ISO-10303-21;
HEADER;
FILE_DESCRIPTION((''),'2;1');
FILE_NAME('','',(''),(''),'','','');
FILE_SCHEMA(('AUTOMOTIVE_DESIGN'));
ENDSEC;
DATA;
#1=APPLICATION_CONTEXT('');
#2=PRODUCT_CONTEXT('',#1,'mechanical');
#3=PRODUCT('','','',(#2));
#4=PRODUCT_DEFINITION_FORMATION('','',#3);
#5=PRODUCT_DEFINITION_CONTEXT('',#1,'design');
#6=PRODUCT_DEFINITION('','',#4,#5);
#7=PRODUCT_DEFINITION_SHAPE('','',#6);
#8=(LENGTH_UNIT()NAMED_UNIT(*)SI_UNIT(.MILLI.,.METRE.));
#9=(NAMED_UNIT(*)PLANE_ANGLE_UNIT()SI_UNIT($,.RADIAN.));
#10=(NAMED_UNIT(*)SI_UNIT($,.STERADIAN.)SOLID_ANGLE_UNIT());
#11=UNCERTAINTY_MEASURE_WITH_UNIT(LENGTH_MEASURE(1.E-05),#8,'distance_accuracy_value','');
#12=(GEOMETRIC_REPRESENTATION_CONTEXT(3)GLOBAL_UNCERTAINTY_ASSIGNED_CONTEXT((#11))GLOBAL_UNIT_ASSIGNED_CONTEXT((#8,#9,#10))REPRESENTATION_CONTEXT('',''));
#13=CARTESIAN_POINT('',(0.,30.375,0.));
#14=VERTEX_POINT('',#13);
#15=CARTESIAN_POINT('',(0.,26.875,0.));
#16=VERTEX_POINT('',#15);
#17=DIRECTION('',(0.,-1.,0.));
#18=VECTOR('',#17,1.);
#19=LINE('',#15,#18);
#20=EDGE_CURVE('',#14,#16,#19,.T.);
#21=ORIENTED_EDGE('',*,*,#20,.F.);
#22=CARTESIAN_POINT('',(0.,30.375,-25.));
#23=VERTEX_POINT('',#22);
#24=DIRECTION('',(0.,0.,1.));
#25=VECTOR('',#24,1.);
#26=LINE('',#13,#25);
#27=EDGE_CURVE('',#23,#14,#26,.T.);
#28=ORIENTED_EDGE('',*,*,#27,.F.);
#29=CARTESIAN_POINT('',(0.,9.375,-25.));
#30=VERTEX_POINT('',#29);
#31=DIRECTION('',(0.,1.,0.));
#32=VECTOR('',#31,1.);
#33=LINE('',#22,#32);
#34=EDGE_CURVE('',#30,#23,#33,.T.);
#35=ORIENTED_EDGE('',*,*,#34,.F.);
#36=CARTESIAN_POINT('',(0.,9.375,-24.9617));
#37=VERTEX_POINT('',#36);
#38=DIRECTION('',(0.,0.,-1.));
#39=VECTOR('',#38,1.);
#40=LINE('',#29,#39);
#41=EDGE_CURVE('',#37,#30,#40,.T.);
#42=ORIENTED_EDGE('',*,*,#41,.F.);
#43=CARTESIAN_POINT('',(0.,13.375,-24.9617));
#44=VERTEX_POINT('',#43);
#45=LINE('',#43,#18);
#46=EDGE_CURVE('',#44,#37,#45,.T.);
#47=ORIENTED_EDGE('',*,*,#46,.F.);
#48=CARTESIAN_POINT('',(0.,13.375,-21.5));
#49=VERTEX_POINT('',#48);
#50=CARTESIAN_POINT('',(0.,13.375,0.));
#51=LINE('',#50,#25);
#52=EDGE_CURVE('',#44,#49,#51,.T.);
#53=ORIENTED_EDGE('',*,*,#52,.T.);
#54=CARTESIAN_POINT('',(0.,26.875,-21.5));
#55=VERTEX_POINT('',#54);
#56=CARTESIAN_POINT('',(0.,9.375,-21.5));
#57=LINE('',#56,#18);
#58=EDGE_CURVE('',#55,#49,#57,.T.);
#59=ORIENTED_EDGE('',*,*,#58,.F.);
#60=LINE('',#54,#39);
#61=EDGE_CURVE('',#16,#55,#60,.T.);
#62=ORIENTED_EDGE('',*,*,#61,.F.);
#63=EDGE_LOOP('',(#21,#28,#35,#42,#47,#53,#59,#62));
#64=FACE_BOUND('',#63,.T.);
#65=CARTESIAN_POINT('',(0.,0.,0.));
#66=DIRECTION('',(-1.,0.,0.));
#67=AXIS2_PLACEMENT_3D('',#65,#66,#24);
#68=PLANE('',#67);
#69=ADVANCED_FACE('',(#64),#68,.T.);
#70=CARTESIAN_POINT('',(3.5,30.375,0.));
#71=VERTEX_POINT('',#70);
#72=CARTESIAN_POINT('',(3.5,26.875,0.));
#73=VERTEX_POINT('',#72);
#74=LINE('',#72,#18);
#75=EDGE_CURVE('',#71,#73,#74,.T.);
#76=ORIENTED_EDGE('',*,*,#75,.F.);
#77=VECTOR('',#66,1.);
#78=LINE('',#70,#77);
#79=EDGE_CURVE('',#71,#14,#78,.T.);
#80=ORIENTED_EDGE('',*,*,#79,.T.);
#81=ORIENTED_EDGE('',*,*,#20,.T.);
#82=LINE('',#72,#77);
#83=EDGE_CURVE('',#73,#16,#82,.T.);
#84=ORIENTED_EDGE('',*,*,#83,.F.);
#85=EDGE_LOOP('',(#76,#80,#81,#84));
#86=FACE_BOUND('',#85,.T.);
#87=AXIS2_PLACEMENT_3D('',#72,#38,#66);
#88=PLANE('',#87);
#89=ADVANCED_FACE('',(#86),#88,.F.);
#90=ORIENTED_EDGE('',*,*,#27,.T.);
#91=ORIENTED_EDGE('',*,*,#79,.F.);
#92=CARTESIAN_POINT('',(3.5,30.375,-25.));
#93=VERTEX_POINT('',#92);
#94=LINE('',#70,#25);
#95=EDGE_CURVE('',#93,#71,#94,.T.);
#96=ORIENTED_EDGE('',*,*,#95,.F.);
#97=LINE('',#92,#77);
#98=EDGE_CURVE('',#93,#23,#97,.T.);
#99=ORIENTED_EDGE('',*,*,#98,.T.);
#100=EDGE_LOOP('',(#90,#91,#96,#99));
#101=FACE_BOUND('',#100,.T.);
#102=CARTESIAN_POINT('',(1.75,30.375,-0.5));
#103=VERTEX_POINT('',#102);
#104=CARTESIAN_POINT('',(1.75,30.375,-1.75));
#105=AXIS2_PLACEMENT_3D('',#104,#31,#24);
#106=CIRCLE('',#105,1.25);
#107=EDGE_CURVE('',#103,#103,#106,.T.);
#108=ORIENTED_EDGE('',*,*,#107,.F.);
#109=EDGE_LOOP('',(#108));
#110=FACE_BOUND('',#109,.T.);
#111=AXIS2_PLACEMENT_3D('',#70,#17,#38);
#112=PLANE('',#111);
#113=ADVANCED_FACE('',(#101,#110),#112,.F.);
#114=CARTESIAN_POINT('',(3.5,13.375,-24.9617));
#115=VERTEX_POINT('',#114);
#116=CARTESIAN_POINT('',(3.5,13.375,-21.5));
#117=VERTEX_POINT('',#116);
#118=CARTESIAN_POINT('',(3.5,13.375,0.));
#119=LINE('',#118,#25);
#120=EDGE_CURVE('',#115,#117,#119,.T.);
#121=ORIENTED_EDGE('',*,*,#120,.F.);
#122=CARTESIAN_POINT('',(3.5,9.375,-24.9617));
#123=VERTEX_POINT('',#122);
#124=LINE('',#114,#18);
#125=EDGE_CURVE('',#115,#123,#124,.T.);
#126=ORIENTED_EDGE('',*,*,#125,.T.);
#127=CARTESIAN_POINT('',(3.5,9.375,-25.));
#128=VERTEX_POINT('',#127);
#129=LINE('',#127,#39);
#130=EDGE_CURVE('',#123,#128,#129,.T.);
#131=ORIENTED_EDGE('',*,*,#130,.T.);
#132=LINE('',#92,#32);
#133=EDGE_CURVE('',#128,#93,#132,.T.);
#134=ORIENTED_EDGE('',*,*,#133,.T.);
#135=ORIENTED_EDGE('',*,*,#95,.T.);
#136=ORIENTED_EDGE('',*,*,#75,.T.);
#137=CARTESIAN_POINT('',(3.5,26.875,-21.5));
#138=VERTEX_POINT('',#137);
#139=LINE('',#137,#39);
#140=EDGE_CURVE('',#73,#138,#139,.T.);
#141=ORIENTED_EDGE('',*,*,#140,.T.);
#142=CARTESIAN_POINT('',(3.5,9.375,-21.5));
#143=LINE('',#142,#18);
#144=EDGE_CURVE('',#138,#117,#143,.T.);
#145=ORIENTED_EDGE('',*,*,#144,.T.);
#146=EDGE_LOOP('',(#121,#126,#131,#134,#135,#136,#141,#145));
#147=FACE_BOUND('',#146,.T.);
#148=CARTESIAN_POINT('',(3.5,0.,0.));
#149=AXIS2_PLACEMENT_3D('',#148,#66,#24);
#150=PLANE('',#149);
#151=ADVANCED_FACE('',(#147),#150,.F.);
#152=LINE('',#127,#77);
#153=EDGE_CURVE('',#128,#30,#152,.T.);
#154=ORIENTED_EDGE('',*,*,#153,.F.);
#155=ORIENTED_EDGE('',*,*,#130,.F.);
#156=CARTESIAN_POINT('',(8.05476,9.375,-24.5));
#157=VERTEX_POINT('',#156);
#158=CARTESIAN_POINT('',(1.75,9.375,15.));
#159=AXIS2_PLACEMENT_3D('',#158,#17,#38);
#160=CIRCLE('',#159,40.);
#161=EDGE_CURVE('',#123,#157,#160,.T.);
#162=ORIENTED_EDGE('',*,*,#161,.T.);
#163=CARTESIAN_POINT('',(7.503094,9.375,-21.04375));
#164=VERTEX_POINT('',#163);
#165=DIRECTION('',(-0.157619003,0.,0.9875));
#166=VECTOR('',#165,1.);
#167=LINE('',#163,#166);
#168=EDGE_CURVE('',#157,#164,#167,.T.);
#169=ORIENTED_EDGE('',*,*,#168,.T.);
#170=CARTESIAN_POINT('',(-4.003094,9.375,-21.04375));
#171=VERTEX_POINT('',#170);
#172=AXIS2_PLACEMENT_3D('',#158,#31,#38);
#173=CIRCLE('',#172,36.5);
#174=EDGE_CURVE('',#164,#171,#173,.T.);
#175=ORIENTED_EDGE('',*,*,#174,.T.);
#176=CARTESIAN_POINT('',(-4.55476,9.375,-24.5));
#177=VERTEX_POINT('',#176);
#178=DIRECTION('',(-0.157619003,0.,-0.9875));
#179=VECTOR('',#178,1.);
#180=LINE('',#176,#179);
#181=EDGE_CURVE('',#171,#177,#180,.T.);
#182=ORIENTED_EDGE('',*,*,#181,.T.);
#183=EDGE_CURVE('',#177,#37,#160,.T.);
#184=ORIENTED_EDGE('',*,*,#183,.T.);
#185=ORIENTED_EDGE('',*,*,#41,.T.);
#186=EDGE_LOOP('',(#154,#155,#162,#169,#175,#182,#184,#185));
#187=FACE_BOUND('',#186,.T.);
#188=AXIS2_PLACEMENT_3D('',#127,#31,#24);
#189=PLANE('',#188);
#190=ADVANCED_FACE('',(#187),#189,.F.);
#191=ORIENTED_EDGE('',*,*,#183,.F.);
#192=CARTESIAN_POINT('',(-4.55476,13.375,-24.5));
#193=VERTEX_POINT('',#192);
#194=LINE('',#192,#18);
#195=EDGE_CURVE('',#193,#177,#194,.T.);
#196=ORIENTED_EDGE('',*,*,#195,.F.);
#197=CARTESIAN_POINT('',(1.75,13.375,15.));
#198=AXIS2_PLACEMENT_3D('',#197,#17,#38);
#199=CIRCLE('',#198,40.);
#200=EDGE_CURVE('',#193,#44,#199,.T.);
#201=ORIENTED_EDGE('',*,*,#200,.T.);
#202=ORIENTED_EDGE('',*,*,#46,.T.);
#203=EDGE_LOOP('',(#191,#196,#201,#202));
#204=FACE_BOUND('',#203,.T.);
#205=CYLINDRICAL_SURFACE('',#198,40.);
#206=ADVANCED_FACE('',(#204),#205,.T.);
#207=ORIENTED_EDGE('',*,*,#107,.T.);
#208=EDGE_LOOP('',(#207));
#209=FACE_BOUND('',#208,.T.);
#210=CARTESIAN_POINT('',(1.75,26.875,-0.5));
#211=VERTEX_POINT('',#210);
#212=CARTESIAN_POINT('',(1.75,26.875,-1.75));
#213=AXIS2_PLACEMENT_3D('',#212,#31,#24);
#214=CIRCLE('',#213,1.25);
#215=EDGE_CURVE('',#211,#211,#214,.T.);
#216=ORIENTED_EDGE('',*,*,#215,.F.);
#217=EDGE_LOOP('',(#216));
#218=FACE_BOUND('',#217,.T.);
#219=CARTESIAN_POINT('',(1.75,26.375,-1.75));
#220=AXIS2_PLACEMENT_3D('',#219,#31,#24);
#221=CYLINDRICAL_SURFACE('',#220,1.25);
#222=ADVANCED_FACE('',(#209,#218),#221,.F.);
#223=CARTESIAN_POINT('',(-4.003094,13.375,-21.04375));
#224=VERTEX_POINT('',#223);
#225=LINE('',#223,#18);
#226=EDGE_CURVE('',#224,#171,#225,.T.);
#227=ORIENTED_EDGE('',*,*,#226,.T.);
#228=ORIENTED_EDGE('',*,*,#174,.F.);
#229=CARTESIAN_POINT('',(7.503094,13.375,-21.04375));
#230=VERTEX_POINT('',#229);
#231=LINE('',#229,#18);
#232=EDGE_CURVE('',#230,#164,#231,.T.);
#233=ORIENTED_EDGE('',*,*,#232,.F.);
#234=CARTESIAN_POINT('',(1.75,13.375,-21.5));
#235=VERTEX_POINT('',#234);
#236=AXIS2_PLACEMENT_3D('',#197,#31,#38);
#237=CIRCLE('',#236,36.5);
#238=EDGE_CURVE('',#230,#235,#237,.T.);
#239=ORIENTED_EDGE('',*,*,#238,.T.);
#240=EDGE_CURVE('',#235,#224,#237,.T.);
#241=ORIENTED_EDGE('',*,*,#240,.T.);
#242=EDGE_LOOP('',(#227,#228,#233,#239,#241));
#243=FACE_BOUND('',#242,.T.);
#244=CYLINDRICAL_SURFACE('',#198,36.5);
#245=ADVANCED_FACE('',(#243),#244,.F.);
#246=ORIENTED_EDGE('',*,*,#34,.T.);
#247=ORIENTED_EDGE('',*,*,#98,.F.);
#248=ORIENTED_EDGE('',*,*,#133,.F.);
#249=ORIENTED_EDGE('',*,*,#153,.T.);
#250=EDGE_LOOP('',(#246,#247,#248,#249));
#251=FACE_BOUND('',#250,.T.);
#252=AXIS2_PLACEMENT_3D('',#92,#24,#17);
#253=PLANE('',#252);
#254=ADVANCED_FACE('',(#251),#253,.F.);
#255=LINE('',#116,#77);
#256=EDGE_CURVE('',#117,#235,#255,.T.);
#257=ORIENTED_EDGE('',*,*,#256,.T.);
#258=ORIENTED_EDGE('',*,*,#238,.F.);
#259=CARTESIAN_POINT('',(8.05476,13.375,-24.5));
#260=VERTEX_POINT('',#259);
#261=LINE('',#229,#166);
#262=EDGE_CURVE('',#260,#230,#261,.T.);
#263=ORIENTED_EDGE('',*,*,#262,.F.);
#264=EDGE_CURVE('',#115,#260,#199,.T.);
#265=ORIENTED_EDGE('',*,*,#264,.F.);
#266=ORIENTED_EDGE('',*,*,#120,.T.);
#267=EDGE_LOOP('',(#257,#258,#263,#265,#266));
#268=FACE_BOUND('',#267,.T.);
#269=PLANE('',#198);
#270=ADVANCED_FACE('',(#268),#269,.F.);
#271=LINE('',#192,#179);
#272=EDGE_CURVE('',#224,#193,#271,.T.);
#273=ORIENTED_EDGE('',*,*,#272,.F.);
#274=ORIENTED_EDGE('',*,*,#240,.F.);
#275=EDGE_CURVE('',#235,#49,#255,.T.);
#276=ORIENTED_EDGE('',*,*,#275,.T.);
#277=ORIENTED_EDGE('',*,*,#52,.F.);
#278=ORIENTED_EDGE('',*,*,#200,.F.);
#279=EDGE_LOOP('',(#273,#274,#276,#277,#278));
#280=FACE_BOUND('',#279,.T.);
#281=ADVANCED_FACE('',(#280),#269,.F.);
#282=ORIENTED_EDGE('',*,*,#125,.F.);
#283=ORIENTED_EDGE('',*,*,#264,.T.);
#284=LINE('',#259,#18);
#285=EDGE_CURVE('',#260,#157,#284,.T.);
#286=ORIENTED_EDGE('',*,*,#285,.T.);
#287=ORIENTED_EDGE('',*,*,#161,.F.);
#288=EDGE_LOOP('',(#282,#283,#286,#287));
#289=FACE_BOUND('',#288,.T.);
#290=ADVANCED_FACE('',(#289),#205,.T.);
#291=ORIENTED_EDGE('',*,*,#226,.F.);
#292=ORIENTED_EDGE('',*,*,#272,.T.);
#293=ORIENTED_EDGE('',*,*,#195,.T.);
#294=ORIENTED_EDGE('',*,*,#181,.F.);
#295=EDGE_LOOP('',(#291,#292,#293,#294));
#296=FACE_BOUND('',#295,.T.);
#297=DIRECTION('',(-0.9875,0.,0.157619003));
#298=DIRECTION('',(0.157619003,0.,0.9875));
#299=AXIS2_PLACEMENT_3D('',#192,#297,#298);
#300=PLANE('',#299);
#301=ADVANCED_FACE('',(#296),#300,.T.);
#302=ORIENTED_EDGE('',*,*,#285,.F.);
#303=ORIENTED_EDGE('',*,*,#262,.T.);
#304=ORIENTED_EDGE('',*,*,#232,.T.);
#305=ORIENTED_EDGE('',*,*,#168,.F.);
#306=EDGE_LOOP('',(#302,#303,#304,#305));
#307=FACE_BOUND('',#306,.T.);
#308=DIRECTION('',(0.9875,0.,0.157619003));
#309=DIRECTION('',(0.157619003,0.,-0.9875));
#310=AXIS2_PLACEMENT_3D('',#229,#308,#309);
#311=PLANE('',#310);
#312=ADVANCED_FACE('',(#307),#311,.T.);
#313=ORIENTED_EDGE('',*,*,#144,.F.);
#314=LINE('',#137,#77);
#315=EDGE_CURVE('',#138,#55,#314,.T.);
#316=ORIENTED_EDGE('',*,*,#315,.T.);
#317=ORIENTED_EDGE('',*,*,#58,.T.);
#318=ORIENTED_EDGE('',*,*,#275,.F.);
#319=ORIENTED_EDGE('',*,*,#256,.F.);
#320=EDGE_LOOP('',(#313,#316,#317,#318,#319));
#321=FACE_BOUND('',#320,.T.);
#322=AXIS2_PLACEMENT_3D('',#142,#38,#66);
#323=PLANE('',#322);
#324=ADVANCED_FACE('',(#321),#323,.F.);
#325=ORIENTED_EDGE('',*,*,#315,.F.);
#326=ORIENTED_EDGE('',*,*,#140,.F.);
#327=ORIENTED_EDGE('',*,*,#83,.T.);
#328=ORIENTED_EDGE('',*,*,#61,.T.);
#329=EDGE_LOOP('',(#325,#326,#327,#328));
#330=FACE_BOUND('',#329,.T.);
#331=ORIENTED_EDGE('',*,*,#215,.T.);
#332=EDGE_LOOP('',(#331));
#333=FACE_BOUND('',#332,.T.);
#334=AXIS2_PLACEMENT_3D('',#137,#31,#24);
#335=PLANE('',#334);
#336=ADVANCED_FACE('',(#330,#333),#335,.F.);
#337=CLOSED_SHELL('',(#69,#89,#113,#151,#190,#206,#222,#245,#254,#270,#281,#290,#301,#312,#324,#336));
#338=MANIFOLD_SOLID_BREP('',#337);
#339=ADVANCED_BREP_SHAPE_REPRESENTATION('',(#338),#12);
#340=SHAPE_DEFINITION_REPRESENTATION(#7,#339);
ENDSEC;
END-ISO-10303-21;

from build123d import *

# Parameters (mm, degrees)
BOSS_EXTRUDE1_DEPTH = 3.5
BOSS_EXTRUDE3_DEPTH = 4
SKETCH4_R           = 1.25
CUT_EXTRUDE1_DEPTH  = 4


with BuildPart() as part:
    # Sketch1 → Boss-Extrude1 (new body)
    with BuildSketch(Plane(origin=(0, 0, 0), x_dir=(0, 0, -1), z_dir=(1, 0, 0))):
        Polygon((0, 30.375), (25, 30.375), (25, 9.375), (21.5, 9.375), (21.5, 26.875), (0, 26.875), align=None)
    extrude(amount=BOSS_EXTRUDE1_DEPTH)

    # Sketch3 → Boss-Extrude3 (add)
    with BuildSketch(Plane(origin=(0, 9.375, 0), x_dir=(-1, 0, 0), z_dir=(0, -1, 0))):
        with BuildLine():
            Line((4.554760106, 24.5), (4.003093597, 21.04375))
            ThreePointArc((4.003093597, 21.04375), (-1.75, 21.5), (-7.503093597, 21.04375))
            Line((-7.503093597, 21.04375), (-8.054760106, 24.5))
            ThreePointArc((-8.054760106, 24.5), (-1.75, 25), (4.554760106, 24.5))
        make_face()
    extrude(amount=-BOSS_EXTRUDE3_DEPTH)

    # Sketch4 → Cut-Extrude1 (cut)
    with BuildSketch(Plane(origin=(0, 30.375, 0), x_dir=(1, 0, 0), z_dir=(0, 1, 0))):
        with Locations(Location((1.75, 1.75, 0), (0, 0, 270))):
            Circle(SKETCH4_R)
    extrude(amount=-CUT_EXTRUDE1_DEPTH, mode=Mode.SUBTRACT)


solid = part.part
